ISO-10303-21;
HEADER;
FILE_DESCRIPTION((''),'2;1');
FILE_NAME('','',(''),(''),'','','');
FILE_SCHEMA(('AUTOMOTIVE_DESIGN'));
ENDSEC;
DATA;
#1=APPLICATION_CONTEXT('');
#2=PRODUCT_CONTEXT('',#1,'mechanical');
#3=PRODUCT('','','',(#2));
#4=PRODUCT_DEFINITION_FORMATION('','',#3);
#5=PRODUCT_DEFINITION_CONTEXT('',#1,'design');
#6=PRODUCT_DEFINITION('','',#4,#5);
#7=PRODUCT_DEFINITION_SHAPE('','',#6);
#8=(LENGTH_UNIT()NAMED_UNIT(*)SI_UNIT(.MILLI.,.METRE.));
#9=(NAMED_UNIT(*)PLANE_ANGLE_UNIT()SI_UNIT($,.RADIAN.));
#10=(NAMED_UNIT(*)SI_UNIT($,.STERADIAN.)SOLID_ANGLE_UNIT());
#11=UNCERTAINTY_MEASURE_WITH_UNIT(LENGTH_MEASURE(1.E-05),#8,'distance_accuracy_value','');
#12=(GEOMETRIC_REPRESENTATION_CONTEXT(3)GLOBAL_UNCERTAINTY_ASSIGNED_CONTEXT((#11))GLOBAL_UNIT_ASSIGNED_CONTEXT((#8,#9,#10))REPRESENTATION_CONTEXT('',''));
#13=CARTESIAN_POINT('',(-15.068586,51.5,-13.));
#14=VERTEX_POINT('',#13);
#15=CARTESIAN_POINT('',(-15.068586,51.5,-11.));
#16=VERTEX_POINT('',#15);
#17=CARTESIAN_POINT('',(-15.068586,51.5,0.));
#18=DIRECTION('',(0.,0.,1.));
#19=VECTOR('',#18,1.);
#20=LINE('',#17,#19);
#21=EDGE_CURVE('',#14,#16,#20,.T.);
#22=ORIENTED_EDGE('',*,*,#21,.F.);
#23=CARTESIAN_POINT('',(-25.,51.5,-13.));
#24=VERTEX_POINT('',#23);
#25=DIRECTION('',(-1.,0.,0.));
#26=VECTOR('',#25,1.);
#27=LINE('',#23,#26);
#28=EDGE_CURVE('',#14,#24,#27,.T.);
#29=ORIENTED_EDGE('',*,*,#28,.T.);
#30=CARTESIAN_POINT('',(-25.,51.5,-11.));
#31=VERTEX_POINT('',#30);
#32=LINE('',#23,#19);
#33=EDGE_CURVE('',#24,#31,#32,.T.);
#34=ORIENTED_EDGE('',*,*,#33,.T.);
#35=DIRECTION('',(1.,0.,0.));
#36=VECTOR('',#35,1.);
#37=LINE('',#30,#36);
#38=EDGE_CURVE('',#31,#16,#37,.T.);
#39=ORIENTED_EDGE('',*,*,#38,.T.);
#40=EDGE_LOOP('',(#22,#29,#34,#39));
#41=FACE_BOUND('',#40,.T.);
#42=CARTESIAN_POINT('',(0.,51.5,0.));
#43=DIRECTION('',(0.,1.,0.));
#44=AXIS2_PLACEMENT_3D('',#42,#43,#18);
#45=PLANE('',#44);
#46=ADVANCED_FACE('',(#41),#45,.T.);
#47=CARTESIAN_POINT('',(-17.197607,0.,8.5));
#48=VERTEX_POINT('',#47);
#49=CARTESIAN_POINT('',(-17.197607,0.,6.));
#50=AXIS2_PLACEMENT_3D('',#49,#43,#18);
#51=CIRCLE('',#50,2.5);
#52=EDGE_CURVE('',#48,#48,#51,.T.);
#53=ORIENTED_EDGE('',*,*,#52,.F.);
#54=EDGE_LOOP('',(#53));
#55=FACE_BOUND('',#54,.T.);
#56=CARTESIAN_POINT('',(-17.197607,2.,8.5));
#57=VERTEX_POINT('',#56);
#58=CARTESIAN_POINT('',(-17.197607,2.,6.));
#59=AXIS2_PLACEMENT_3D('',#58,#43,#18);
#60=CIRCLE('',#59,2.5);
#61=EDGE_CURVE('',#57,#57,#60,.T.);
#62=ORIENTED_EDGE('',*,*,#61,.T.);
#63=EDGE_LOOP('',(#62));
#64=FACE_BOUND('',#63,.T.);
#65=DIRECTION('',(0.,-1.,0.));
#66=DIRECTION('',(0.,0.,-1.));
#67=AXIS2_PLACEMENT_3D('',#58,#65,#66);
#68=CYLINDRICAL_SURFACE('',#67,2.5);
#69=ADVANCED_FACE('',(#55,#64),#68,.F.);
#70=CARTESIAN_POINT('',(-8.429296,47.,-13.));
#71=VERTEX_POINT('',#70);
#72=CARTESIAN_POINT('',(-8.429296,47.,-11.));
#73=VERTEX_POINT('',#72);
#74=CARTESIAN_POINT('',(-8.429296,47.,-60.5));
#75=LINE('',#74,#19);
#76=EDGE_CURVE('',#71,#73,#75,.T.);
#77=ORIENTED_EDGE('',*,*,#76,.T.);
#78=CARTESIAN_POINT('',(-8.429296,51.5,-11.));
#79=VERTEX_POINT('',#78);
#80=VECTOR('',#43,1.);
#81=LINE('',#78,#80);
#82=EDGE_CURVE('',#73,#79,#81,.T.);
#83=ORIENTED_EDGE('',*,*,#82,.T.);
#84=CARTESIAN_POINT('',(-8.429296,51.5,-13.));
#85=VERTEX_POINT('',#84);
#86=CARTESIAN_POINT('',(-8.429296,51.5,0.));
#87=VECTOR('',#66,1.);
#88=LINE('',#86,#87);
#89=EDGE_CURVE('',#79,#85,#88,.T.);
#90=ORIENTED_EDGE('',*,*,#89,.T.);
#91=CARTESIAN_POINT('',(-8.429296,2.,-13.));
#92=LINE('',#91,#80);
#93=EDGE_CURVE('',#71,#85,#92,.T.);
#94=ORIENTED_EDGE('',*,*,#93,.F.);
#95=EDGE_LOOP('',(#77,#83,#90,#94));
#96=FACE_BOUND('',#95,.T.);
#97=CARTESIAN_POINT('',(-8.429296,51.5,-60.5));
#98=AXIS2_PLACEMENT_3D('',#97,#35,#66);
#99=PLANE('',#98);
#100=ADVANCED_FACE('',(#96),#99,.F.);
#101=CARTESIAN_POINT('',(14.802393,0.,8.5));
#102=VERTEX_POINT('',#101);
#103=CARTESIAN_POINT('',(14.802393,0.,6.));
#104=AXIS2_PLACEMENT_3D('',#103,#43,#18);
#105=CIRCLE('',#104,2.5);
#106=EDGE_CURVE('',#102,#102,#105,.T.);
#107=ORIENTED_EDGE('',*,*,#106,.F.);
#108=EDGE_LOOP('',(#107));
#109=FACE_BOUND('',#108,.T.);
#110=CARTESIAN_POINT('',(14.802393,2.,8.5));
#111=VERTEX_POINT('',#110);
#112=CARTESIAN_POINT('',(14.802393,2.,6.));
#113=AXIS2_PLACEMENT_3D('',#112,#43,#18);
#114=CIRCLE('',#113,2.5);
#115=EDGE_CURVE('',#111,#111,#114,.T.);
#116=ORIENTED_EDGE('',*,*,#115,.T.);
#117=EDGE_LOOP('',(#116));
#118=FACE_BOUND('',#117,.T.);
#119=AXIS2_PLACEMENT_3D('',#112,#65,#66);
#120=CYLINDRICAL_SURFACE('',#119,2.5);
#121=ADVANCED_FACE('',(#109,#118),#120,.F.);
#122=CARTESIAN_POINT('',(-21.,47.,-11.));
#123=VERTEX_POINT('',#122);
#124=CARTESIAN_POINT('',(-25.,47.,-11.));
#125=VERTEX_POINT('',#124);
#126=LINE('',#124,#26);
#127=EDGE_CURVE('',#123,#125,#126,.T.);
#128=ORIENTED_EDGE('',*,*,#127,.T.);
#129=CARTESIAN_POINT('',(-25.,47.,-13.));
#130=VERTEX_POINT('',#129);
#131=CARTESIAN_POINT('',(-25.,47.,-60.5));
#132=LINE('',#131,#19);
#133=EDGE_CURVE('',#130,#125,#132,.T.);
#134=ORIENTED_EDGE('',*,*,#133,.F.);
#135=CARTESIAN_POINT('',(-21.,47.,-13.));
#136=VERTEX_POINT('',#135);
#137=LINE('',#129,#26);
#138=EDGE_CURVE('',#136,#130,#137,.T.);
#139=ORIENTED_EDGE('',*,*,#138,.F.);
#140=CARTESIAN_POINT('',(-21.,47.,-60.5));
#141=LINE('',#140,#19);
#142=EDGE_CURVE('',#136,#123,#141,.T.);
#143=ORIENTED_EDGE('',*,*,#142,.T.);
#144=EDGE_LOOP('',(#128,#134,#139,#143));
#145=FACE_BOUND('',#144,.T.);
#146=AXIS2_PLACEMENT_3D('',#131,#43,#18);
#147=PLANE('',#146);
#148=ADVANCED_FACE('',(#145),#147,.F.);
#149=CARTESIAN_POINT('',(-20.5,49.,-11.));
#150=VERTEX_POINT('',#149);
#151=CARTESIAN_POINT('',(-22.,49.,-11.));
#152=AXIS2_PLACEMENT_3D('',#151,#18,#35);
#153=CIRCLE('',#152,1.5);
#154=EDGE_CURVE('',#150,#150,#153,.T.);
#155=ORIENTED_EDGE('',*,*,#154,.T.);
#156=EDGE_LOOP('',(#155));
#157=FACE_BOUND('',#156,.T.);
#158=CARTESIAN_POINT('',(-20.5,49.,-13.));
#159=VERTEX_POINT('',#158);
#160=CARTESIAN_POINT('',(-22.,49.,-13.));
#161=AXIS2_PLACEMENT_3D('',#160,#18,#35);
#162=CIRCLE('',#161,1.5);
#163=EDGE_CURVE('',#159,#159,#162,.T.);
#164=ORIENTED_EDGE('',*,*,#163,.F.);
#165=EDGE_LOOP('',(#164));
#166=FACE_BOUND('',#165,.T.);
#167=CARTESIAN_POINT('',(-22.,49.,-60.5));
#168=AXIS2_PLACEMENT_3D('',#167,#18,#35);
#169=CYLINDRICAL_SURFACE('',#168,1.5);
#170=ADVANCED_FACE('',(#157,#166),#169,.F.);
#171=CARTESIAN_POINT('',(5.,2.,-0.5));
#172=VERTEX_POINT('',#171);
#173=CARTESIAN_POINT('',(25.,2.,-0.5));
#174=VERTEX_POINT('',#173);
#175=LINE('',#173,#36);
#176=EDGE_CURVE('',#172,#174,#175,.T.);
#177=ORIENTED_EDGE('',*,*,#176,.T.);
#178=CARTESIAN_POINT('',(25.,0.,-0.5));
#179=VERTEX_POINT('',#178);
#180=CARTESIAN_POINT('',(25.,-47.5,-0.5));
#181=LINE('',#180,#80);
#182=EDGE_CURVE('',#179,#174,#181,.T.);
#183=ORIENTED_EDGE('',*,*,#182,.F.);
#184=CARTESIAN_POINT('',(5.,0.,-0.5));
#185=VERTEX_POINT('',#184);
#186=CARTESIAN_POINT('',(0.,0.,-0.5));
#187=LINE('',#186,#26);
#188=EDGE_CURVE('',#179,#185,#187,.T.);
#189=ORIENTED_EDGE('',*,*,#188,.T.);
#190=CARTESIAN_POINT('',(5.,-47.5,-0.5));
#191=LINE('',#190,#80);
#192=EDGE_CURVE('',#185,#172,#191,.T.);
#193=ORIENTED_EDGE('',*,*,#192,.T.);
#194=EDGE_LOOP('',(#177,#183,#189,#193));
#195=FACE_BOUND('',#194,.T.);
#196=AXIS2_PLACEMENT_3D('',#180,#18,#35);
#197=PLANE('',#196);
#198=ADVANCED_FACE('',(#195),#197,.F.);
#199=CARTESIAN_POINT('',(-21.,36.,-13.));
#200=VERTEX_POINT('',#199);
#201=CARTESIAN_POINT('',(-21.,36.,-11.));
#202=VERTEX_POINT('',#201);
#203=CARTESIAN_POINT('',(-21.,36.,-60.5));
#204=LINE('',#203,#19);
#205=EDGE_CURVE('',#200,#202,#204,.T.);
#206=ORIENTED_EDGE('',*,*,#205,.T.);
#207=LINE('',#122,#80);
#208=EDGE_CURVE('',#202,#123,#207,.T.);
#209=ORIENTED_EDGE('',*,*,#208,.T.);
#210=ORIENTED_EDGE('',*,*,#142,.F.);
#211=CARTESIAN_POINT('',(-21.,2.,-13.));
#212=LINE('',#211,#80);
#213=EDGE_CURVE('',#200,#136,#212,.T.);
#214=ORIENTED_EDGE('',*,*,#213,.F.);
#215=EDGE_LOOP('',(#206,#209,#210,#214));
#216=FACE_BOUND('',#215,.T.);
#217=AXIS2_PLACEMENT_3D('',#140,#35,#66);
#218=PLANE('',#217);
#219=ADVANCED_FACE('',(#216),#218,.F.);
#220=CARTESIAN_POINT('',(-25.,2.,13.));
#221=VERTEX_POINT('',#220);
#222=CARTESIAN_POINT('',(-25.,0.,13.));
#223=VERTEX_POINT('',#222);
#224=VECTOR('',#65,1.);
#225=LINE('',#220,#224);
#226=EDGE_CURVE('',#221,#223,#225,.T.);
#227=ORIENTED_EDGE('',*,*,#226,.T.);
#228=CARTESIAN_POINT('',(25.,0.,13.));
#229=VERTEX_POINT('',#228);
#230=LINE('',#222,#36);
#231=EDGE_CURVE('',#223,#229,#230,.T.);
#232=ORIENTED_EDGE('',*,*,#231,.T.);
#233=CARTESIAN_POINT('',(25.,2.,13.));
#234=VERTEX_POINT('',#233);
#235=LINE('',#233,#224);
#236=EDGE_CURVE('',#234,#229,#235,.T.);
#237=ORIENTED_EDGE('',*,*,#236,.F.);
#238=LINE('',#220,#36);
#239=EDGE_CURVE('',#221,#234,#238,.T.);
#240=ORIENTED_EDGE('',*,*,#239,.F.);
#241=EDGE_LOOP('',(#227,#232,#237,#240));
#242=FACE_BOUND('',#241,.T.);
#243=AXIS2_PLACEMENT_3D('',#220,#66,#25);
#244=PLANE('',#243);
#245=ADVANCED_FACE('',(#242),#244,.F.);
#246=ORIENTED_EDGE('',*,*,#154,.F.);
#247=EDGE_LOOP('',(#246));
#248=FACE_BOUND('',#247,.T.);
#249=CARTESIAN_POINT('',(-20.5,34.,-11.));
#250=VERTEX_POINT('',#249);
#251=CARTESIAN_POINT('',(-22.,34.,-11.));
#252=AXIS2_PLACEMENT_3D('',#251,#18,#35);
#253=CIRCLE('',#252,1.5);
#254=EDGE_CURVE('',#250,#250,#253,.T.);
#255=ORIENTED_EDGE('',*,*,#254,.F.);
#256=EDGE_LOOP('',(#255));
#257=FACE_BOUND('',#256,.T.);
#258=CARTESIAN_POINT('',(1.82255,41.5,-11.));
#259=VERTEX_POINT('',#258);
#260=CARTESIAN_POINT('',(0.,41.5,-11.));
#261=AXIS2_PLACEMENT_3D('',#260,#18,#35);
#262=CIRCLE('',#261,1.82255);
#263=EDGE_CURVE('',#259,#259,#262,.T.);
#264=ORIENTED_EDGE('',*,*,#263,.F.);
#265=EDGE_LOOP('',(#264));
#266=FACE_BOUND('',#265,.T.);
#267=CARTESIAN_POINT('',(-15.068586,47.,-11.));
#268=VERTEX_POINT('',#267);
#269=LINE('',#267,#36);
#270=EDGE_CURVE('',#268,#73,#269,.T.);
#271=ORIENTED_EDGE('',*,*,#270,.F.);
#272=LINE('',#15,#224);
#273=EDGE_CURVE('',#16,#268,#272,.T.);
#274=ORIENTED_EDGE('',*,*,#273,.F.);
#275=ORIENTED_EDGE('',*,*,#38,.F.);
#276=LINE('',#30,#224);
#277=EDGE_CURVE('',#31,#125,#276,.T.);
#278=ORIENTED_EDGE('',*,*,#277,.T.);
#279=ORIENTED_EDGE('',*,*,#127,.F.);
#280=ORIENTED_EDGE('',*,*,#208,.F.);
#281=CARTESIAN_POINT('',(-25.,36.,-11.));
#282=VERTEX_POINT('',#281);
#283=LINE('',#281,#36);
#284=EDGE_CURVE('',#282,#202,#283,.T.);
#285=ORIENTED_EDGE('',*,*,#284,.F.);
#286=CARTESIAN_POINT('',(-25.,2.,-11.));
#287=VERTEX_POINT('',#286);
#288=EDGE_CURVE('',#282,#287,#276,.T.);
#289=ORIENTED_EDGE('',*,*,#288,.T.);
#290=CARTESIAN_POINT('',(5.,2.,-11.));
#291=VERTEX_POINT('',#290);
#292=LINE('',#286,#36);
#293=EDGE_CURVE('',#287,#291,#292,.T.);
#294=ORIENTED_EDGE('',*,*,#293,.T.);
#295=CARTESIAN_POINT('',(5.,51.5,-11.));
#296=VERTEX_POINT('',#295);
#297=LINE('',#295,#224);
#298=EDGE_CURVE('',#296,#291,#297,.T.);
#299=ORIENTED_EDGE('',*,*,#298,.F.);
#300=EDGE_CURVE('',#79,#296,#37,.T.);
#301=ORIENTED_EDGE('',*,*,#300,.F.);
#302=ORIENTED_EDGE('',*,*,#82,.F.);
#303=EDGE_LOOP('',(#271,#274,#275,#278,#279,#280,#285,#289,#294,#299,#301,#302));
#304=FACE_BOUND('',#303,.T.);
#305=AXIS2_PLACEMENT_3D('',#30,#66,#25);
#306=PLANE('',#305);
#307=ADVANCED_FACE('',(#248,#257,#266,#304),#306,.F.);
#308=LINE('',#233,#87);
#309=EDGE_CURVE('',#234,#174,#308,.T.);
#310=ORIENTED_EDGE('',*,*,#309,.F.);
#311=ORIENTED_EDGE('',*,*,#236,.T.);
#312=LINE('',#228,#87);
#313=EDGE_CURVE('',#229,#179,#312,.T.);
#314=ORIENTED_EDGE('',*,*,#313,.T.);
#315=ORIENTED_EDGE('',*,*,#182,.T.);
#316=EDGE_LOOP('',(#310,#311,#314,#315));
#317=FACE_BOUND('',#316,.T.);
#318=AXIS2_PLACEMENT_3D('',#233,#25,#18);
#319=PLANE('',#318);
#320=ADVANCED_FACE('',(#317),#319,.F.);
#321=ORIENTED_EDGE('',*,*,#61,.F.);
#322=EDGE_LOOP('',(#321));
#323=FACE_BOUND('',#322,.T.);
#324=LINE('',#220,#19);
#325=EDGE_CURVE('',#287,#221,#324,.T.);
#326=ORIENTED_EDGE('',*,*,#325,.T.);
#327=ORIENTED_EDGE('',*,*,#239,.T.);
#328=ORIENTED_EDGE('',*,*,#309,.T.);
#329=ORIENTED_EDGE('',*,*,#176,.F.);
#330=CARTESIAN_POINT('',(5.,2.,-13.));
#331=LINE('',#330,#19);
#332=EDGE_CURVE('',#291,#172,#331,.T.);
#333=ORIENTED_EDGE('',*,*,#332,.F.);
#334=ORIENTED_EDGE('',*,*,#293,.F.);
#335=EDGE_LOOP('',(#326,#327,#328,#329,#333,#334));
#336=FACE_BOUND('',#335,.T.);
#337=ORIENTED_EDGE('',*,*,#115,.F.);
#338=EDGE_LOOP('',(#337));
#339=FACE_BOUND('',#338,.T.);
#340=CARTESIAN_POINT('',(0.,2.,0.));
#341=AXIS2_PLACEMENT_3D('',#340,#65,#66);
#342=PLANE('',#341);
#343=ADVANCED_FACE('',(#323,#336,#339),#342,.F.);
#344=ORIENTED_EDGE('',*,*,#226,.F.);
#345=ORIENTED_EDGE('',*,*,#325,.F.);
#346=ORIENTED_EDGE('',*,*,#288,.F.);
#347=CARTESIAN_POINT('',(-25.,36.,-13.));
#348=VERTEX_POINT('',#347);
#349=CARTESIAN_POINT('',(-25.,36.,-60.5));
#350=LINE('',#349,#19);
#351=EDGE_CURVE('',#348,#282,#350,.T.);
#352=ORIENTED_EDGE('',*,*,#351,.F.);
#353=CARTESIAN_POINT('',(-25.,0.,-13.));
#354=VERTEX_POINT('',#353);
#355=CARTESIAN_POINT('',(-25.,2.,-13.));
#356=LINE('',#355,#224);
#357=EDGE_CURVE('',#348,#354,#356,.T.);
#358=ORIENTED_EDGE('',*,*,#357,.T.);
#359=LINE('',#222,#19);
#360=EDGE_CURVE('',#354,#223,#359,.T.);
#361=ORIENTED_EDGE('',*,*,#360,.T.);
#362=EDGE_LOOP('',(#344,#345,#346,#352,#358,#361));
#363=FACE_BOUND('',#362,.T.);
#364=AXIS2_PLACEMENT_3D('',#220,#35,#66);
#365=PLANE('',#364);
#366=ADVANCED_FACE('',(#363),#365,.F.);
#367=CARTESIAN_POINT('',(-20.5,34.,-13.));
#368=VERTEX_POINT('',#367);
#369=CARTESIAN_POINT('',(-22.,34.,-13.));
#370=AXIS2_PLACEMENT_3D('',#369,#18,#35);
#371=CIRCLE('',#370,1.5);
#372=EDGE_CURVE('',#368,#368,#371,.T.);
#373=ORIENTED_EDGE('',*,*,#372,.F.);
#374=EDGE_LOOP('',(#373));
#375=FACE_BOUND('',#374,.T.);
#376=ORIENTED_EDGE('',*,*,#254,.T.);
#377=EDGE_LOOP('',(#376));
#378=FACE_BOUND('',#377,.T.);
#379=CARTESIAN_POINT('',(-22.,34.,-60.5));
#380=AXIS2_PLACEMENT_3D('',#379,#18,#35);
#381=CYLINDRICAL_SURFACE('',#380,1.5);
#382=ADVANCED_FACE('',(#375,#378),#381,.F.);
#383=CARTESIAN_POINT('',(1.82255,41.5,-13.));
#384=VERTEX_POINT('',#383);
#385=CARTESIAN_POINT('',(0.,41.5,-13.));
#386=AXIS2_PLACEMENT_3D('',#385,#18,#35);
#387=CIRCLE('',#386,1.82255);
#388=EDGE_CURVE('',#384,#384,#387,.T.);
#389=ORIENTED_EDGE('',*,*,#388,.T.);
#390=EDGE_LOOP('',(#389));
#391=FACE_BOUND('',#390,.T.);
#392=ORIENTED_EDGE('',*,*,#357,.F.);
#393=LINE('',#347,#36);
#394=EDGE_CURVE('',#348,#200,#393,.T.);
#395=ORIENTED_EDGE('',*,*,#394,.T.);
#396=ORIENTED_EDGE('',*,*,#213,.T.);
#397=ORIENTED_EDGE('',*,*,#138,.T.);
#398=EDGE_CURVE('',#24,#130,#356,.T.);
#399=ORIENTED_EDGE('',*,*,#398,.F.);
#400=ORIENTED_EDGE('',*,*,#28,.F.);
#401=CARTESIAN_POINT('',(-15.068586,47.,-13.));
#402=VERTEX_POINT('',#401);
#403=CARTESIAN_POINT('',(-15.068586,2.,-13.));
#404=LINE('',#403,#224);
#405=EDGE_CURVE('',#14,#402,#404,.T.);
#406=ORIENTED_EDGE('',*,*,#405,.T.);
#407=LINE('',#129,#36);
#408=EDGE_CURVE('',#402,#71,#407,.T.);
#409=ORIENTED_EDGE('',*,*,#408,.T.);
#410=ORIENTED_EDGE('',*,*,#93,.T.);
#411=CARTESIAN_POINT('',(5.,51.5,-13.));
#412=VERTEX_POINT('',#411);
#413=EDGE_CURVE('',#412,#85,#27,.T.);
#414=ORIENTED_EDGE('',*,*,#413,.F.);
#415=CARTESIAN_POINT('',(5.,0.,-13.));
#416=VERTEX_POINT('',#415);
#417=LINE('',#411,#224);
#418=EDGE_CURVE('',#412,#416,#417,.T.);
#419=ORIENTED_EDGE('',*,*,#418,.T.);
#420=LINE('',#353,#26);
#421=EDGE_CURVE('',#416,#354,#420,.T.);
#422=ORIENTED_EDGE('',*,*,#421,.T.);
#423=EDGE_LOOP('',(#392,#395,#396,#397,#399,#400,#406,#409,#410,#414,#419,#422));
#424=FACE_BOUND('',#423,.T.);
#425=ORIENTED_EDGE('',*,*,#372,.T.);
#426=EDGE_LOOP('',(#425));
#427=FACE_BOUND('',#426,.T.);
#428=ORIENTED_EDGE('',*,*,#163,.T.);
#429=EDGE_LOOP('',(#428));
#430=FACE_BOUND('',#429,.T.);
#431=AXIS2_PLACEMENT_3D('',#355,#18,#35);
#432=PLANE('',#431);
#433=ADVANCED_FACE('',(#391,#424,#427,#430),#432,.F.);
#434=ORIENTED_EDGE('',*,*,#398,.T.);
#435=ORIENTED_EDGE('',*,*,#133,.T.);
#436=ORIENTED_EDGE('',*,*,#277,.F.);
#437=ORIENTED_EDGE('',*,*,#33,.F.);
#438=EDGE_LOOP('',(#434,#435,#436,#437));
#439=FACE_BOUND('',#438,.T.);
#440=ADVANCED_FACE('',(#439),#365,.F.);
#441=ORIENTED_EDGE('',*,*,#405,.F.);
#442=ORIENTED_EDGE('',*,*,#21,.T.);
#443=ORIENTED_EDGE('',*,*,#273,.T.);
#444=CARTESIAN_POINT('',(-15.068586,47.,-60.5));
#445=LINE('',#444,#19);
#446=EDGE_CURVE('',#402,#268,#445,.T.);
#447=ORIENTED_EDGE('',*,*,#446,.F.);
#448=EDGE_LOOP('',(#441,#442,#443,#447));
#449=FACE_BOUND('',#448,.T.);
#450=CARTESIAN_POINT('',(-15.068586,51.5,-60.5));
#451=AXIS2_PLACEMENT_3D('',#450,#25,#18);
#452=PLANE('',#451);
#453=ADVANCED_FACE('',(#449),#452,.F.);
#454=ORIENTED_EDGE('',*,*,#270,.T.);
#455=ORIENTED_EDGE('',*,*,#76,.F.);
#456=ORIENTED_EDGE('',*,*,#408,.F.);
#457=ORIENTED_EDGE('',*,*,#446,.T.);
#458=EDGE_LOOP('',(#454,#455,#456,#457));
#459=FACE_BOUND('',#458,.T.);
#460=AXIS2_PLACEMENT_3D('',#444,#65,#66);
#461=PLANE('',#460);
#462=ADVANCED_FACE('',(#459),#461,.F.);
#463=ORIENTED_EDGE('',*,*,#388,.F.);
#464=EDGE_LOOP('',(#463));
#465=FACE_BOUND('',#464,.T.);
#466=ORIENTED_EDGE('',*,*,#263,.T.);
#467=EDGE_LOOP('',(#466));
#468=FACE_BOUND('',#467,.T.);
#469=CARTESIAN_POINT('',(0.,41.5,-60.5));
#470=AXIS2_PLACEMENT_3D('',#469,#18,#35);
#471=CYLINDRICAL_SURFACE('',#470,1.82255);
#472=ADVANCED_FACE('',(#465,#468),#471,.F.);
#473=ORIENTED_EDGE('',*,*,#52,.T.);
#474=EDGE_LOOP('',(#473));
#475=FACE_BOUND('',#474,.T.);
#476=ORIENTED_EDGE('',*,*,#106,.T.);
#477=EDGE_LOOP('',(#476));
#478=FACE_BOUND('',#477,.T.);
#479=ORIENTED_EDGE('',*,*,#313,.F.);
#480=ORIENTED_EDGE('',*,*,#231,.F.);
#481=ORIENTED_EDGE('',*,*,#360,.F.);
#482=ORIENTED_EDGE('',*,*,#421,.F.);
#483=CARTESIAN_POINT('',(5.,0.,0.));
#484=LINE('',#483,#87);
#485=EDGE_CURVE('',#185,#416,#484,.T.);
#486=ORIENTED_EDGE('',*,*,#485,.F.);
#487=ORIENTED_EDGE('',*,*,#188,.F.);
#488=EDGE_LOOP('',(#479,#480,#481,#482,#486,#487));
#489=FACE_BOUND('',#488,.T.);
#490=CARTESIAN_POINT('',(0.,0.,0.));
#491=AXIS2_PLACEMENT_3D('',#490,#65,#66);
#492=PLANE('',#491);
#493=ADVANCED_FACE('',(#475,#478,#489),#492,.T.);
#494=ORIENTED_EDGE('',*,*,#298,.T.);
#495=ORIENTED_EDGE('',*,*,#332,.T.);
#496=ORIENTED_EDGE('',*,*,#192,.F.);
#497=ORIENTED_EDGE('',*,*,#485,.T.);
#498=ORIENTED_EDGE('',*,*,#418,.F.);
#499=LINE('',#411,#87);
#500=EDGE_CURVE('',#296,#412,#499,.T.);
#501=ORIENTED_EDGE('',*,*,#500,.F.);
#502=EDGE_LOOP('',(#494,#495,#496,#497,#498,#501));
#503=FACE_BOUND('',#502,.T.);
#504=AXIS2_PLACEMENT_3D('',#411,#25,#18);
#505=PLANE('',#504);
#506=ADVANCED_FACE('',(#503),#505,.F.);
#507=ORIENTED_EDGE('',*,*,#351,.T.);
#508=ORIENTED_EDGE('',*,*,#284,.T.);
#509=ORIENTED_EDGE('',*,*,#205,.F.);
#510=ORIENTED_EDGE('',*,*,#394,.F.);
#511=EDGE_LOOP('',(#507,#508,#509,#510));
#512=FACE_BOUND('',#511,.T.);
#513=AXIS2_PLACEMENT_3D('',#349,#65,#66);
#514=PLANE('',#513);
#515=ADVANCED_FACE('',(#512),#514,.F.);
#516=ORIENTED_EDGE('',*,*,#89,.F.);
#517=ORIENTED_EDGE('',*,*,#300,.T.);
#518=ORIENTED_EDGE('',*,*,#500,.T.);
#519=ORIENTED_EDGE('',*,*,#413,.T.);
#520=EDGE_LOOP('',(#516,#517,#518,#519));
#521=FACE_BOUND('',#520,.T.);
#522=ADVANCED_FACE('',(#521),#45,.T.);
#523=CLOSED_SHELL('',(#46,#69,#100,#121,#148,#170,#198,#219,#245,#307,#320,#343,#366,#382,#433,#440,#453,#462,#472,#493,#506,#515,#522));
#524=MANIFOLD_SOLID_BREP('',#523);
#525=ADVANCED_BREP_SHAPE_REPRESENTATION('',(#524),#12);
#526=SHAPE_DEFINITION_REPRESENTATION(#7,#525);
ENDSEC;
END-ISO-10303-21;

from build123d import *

# Parameters (mm, degrees)
SKIZZE1_W                       = 50
SKIZZE1_H                       = 26
SKIZZE1_R                       = 2.5
AUFSATZ_LINEAR_AUSTRAGEN1_DEPTH = 2
SKIZZE2_W                       = 30
SKIZZE2_H                       = 2
AUFSATZ_LINEAR_AUSTRAGEN2_DEPTH = 49.5
SKIZZE3_R                       = 1.5
SKIZZE3_R_2                     = 1.822550398
SKIZZE3_W                       = 4
SKIZZE3_H                       = 11
SKIZZE3_W_2                     = 6.639290737
SKIZZE3_H_2                     = 4.5
SCHNITT_LINEAR_AUSTRAGEN1_DEPTH = 49.5
SKIZZE4_W                       = 20
SKIZZE4_H                       = 12.5
SCHNITT_LINEAR_AUSTRAGEN2_DEPTH = 49.5


with BuildPart() as part:
    # Skizze1 → Aufsatz-Linear austragen1 (new body)
    with BuildSketch(Plane(origin=(0, 0, 0), x_dir=(1, 0, 0), z_dir=(0, 1, 0))):
        Rectangle(SKIZZE1_W, SKIZZE1_H)
        with Locations(Location((14.802393345, -6, 0), (0, 0, 270))):
            Circle(SKIZZE1_R, mode=Mode.SUBTRACT)
        with Locations(Location((-17.197606655, -6, 0), (0, 0, 270))):
            Circle(SKIZZE1_R, mode=Mode.SUBTRACT)
    extrude(amount=AUFSATZ_LINEAR_AUSTRAGEN1_DEPTH)

    # Skizze2 → Aufsatz-Linear austragen2 (add)
    with BuildSketch(Plane(origin=(0, 2, 0), x_dir=(1, 0, 0), z_dir=(0, 1, 0))):
        with Locations((-10, 12)):
            Rectangle(SKIZZE2_W, SKIZZE2_H)
    extrude(amount=AUFSATZ_LINEAR_AUSTRAGEN2_DEPTH)

    # Skizze3 → Schnitt-Linear austragen1 (cut)
    with BuildSketch(Plane.XY.offset(-11)):
        with Locations((-22, 49)):
            Circle(SKIZZE3_R)
        with Locations((-22, 34)):
            Circle(SKIZZE3_R)
        with Locations((0, 41.5)):
            Circle(SKIZZE3_R_2)
        with Locations((-23, 41.5)):
            Rectangle(SKIZZE3_W, SKIZZE3_H)
        with Locations((-11.748940962, 49.25)):
            Rectangle(SKIZZE3_W_2, SKIZZE3_H_2)
    extrude(amount=-SCHNITT_LINEAR_AUSTRAGEN1_DEPTH, mode=Mode.SUBTRACT)

    # Skizze4 → Schnitt-Linear austragen2 (cut)
    with BuildSketch(Plane(origin=(0, 2, 0), x_dir=(1, 0, 0), z_dir=(0, 1, 0))):
        with Locations((15, 6.75)):
            Rectangle(SKIZZE4_W, SKIZZE4_H)
    extrude(amount=-SCHNITT_LINEAR_AUSTRAGEN2_DEPTH, mode=Mode.SUBTRACT)


solid = part.part
